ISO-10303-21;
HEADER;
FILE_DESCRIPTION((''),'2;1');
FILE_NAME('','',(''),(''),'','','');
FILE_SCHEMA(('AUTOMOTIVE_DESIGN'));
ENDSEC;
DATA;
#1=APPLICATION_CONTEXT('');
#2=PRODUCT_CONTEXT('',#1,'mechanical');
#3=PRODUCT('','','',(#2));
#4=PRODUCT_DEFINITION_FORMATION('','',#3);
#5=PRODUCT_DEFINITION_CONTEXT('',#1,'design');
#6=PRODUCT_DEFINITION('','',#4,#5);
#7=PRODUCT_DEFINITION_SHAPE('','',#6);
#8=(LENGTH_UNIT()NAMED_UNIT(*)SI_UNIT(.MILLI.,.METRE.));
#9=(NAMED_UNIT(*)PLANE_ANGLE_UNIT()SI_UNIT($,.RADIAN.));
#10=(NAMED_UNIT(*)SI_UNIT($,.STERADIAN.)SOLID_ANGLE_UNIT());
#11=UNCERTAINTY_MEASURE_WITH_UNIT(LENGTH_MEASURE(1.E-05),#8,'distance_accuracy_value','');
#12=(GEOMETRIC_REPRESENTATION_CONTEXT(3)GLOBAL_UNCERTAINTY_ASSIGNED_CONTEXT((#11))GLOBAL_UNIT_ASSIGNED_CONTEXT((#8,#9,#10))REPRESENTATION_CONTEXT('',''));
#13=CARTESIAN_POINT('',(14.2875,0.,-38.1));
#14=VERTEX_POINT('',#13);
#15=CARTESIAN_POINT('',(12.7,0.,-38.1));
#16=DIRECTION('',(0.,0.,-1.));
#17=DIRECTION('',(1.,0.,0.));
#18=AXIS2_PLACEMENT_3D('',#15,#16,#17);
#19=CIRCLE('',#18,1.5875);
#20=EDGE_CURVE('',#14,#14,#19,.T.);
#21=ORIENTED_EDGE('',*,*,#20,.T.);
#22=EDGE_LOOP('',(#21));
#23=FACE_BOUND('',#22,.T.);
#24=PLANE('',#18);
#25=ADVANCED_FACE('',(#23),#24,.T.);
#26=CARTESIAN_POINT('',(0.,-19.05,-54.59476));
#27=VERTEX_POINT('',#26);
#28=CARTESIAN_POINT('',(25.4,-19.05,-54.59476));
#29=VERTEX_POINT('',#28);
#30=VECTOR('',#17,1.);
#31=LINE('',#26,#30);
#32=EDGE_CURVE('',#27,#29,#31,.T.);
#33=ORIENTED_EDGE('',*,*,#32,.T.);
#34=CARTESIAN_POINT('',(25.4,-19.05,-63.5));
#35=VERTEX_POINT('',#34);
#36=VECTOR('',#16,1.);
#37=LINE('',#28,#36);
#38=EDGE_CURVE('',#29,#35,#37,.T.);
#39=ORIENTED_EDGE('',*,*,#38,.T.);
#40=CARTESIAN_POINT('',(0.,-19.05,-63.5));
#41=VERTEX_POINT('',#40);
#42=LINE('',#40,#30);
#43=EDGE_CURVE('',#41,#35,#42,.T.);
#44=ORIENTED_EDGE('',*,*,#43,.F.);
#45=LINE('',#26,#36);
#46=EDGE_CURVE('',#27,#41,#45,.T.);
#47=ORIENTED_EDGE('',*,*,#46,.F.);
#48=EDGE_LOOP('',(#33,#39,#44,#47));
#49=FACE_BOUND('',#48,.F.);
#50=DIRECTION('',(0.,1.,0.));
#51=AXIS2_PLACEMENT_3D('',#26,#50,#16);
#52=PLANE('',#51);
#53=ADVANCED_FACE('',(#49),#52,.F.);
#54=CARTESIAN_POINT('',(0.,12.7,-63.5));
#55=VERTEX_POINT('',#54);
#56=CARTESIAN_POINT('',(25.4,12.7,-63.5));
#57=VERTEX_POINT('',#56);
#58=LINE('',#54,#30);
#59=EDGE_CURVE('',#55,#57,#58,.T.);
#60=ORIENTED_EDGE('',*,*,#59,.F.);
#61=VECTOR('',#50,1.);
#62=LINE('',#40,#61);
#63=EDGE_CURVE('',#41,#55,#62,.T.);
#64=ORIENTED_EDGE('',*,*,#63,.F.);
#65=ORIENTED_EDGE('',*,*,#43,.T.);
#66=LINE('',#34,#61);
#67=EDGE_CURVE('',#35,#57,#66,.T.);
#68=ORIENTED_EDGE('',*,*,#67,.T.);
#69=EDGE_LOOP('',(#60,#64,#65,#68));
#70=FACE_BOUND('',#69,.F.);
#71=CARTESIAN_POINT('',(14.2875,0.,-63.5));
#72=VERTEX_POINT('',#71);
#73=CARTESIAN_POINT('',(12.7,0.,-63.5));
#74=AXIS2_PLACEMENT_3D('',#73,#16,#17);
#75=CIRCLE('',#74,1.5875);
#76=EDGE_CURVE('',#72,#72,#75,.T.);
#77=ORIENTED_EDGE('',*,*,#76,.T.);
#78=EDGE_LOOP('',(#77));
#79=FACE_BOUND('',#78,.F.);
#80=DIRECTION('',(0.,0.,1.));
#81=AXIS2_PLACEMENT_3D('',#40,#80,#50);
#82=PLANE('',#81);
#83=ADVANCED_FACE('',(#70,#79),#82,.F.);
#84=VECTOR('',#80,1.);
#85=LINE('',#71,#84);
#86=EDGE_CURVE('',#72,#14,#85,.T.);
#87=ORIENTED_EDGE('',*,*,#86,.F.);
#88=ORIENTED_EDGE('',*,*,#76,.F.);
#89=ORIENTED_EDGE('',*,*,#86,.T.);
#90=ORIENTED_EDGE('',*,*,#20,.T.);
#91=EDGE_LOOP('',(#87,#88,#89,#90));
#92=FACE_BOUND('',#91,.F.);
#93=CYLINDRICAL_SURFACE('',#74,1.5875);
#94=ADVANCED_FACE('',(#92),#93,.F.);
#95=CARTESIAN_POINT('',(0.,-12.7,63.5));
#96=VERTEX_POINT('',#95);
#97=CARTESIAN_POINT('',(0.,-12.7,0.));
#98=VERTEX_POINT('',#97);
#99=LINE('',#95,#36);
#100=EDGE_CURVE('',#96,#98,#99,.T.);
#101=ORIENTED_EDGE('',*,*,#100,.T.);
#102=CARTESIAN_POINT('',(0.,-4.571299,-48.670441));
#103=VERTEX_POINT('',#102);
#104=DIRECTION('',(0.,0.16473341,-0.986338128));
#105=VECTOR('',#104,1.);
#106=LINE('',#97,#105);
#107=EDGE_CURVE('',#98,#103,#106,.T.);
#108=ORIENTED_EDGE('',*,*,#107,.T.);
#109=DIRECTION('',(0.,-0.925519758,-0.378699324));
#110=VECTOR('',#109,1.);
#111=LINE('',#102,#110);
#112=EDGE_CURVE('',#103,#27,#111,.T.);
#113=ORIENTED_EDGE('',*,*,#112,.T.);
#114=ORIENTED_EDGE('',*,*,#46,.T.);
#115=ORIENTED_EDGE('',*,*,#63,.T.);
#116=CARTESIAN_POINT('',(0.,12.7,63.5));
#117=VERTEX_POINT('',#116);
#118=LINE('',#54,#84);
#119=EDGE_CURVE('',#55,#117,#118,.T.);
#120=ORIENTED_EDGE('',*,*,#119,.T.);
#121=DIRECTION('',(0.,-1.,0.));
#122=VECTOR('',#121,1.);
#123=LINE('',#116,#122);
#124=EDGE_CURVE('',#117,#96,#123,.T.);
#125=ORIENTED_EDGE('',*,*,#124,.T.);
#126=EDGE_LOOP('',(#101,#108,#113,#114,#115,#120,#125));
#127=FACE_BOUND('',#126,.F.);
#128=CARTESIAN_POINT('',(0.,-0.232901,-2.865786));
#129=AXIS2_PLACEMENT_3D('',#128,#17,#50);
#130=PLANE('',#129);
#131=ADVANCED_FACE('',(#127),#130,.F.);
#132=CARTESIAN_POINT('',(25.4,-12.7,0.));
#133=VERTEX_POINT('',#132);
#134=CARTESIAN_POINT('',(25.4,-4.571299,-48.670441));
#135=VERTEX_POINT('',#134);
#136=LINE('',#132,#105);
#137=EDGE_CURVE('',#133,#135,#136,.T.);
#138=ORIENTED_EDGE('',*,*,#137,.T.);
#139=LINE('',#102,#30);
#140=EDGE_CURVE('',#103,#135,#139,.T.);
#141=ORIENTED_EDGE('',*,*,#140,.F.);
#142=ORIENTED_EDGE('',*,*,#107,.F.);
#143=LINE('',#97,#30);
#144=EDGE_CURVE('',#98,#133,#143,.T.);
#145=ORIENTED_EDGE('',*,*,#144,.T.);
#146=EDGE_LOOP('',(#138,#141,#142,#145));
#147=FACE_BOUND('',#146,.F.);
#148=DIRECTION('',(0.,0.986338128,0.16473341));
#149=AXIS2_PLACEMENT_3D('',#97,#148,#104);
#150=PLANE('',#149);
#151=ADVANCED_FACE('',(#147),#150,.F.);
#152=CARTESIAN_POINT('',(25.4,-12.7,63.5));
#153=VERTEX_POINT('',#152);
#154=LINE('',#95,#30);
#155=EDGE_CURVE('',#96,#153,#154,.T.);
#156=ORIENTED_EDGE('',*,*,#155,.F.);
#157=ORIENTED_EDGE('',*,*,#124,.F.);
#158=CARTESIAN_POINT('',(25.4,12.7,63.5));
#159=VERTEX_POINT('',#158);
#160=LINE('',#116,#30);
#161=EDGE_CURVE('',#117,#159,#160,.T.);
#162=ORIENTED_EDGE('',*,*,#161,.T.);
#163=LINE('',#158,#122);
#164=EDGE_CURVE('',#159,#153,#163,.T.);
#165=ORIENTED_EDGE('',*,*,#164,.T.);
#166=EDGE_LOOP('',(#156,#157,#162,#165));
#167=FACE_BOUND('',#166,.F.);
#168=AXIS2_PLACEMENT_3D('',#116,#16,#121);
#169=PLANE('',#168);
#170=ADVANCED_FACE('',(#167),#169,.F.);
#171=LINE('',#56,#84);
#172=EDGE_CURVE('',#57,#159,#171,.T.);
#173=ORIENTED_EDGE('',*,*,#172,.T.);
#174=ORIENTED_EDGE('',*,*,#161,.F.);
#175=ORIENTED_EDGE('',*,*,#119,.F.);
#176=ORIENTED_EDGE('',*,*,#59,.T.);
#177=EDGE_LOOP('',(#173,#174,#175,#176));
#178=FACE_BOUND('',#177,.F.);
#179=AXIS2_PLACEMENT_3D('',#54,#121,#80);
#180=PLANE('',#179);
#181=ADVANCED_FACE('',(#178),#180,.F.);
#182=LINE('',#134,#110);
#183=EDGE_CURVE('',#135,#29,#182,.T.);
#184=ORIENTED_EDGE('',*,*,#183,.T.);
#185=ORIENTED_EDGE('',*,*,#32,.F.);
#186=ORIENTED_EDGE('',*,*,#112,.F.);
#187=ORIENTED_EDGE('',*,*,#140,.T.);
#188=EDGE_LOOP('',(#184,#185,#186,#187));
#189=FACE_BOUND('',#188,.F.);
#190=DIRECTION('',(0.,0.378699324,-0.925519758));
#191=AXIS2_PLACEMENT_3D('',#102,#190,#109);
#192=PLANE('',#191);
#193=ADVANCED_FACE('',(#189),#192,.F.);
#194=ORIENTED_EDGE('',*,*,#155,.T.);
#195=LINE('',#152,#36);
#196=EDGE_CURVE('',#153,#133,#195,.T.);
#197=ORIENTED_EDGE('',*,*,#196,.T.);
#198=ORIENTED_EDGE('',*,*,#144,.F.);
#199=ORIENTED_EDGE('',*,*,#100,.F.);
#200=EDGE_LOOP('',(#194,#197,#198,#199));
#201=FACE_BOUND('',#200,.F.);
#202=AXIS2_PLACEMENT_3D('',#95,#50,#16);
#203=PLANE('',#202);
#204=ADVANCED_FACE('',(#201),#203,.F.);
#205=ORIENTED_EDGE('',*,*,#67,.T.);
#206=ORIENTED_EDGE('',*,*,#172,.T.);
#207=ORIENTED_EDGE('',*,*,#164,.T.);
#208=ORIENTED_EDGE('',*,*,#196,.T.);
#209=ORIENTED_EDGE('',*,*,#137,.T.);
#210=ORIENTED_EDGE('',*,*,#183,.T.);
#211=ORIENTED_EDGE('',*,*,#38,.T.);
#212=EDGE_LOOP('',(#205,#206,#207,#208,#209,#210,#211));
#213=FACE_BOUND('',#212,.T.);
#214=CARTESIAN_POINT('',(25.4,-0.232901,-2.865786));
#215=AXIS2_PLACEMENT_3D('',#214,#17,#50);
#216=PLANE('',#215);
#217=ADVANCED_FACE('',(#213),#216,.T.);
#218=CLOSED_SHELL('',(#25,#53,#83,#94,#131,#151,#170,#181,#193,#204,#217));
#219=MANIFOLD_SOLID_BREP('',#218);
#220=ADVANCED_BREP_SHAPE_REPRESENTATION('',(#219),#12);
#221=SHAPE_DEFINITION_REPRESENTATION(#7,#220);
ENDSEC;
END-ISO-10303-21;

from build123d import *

# Parameters (mm, degrees)
F1_DEPTH = 25.4
F2_R     = 1.5875
F3_DEPTH = 25.4


with BuildPart() as f1:
    # F0 (on Right) → F1 (new body)
    with BuildSketch(Plane.YZ):
        Polygon((-12.7, 63.5), (-12.7, 0), (-4.571299, -48.670441), (-19.05, -54.59476), (-19.05, -63.5), (12.7, -63.5), (12.7, 0), (12.7, 63.5), align=None)
    extrude(amount=F1_DEPTH)

    # F2 (on face) → F3 (cut)
    with BuildSketch(Plane(origin=(0, 0, -63.5), x_dir=(1, 0, 0), z_dir=(0, 0, -1))):
        with Locations((12.7, 0)):
            Circle(F2_R)
    extrude(amount=-F3_DEPTH, mode=Mode.SUBTRACT)


solid = f1.part
